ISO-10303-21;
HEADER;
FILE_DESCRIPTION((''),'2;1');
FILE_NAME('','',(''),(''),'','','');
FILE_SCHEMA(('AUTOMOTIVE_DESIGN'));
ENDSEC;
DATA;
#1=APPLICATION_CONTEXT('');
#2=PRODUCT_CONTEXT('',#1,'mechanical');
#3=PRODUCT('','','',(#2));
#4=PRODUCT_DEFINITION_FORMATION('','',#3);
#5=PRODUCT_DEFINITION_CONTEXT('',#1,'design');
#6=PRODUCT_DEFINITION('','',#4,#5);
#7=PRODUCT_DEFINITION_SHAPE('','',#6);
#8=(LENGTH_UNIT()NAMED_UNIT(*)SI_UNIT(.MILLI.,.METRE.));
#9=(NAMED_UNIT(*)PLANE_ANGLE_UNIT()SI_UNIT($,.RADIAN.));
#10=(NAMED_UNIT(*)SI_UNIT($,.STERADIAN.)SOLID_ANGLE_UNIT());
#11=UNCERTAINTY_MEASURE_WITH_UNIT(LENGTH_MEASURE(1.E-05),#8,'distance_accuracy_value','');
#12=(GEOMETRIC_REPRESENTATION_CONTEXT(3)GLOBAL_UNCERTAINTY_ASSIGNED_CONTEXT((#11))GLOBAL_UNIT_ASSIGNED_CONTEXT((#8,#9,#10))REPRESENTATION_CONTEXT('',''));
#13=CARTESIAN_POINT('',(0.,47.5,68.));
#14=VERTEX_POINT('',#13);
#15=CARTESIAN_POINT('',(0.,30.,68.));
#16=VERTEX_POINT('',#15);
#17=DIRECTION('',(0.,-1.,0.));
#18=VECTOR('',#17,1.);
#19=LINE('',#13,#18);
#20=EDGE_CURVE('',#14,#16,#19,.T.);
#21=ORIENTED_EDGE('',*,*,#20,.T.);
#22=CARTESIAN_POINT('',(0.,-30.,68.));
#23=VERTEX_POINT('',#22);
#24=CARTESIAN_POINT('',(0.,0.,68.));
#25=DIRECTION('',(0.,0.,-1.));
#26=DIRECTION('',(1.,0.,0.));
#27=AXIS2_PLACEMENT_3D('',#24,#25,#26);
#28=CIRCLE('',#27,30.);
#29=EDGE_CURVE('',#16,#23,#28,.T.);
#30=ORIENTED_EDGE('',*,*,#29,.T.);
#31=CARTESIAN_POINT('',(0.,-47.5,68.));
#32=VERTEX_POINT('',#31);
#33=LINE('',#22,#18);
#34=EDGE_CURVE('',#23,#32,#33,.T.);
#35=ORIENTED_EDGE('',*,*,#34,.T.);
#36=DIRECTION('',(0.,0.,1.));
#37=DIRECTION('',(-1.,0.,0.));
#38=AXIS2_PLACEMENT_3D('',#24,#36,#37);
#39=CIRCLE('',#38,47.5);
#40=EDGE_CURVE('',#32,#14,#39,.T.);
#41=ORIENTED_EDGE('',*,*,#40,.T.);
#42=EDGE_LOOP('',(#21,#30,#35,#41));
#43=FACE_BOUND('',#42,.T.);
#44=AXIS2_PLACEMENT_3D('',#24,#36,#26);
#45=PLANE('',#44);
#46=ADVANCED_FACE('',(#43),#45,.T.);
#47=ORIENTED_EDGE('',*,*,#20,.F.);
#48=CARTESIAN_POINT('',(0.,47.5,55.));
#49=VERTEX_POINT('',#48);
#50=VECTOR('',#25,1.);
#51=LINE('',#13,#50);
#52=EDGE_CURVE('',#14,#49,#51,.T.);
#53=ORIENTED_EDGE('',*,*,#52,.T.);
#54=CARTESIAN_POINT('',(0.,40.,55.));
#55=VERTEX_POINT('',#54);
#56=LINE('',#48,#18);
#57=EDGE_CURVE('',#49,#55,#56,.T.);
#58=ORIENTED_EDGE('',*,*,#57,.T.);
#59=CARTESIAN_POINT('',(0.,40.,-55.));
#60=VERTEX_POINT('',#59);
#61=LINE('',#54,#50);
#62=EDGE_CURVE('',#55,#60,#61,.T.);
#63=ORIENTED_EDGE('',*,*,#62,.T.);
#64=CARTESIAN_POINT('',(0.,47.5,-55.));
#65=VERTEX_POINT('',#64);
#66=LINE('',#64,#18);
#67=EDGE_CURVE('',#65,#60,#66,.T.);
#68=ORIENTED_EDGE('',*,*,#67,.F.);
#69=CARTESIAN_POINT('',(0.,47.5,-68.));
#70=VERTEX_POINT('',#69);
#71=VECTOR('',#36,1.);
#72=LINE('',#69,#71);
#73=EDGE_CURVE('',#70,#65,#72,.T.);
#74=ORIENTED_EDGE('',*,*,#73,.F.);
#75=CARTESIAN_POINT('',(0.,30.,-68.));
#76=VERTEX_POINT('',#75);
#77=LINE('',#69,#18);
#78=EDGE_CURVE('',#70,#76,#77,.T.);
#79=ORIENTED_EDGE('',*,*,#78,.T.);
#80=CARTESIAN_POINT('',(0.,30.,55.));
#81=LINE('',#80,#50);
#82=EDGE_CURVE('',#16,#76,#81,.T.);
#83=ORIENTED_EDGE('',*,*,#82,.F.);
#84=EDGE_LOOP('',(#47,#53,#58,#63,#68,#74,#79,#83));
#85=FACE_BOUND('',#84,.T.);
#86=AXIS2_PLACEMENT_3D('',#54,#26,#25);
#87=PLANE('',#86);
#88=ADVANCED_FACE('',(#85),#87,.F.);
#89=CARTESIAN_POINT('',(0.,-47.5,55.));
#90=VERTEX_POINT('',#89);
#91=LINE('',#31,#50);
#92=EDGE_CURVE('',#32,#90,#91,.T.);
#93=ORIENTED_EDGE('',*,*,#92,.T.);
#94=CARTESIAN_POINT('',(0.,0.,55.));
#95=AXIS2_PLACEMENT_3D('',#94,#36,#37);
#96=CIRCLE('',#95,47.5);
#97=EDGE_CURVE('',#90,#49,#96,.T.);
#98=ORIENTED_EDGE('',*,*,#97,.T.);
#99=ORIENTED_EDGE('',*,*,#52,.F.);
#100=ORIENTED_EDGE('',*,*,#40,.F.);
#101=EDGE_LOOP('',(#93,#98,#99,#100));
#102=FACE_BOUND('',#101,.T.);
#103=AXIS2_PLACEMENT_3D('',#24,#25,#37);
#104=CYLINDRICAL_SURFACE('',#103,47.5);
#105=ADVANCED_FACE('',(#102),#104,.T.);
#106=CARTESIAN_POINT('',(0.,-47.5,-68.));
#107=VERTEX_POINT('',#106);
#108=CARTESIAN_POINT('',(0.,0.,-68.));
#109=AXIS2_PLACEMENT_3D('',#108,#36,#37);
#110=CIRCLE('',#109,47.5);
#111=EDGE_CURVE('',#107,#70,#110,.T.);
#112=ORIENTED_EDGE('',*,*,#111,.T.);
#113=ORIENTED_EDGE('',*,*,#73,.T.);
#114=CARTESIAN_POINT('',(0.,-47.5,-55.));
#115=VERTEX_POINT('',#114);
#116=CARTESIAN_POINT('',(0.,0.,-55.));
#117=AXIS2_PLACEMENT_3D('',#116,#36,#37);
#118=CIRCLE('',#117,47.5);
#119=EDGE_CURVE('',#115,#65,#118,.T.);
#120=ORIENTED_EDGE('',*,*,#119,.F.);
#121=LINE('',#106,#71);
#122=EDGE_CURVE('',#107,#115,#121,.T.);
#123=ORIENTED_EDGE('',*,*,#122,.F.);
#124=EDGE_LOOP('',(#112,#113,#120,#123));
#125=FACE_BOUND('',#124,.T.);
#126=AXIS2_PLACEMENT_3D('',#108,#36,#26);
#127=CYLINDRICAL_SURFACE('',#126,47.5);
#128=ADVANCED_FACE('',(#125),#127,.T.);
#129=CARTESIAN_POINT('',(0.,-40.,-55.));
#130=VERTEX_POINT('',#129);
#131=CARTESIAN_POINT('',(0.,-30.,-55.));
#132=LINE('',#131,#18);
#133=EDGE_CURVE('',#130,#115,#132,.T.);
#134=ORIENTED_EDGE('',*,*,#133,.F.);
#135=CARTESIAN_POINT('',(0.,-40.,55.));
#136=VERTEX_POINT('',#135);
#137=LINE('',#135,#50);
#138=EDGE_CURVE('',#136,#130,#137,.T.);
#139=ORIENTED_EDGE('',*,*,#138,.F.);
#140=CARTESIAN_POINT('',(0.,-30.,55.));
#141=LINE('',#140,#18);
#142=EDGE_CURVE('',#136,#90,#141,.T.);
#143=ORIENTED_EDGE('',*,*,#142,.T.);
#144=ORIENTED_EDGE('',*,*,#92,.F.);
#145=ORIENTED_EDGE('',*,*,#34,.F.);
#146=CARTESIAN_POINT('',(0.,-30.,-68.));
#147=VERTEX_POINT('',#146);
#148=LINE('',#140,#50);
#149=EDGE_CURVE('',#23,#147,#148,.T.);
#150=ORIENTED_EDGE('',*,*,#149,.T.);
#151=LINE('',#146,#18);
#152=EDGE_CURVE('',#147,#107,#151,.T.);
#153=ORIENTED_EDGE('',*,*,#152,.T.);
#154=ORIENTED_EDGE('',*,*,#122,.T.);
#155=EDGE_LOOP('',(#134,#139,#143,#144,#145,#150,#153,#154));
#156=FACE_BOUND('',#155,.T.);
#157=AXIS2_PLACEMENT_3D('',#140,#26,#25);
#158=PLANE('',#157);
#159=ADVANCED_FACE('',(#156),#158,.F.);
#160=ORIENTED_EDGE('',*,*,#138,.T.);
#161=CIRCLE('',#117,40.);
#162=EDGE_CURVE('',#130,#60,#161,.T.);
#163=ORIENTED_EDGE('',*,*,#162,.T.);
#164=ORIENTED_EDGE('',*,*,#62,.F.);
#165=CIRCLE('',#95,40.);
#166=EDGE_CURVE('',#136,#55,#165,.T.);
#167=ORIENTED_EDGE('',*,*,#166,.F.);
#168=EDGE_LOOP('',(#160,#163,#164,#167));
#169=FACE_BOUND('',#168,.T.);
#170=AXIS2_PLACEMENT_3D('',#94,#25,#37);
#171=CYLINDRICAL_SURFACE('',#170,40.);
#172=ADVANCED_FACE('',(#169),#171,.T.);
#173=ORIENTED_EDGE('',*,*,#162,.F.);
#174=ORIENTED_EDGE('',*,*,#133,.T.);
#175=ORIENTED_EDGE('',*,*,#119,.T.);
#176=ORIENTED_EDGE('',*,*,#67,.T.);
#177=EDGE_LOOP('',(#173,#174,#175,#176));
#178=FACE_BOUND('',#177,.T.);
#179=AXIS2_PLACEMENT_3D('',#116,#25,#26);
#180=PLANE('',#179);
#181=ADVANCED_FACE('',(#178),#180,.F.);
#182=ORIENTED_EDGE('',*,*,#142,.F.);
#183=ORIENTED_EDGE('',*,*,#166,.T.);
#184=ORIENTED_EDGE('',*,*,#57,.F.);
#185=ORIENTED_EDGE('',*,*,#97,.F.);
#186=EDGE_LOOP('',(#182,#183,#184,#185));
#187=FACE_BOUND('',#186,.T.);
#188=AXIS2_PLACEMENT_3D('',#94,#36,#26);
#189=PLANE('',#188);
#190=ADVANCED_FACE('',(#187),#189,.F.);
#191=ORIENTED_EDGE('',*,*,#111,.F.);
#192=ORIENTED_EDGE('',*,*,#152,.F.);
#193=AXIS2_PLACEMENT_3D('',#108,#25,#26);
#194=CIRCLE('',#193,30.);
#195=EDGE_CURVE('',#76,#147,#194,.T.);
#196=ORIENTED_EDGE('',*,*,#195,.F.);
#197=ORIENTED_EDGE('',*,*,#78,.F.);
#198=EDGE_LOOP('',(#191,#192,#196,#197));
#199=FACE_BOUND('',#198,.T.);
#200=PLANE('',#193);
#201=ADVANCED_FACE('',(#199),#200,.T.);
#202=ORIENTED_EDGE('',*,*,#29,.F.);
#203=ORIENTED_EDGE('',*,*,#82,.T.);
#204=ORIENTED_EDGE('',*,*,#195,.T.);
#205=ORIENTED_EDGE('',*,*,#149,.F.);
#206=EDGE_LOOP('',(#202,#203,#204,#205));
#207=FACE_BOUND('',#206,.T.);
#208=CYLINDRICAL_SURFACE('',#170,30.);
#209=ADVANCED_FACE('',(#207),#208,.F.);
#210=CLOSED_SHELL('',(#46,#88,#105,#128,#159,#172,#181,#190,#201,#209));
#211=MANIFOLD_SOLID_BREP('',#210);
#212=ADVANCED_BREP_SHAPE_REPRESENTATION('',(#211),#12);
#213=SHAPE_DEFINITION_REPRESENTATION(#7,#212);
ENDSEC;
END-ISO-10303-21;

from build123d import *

# Parameters (mm, degrees)
BOSS_EXTRUDE1_DEPTH = 55
BOSS_EXTRUDE2_START = 13
BOSS_EXTRUDE2_DEPTH = 13


with BuildPart() as part:
    # Sketch1 → Boss-Extrude1 (new, symmetric)
    with BuildSketch(Plane.XY):
        with BuildLine():
            Line((0, 40), (0, 30))
            ThreePointArc((0, 30), (30, 0), (0, -30))
            Line((0, -30), (0, -40))
            ThreePointArc((0, -40), (40, 0), (0, 40))
        make_face()
    extrude(amount=BOSS_EXTRUDE1_DEPTH, both=True)

    # Sketch2 → Boss-Extrude2 (add)
    with BuildSketch(Plane.XY.offset(55).offset(BOSS_EXTRUDE2_START)):
        with BuildLine():
            Line((0, 47.5), (0, 30))
            ThreePointArc((0, 30), (30, 0), (0, -30))
            Line((0, -30), (0, -47.5))
            ThreePointArc((0, -47.5), (47.5, 0), (0, 47.5))
        make_face()
    boss_extrude2 = extrude(amount=-BOSS_EXTRUDE2_DEPTH)

    # Mirror1: Boss-Extrude2 across plane
    add(boss_extrude2.mirror(Plane.XY))


solid = part.part
